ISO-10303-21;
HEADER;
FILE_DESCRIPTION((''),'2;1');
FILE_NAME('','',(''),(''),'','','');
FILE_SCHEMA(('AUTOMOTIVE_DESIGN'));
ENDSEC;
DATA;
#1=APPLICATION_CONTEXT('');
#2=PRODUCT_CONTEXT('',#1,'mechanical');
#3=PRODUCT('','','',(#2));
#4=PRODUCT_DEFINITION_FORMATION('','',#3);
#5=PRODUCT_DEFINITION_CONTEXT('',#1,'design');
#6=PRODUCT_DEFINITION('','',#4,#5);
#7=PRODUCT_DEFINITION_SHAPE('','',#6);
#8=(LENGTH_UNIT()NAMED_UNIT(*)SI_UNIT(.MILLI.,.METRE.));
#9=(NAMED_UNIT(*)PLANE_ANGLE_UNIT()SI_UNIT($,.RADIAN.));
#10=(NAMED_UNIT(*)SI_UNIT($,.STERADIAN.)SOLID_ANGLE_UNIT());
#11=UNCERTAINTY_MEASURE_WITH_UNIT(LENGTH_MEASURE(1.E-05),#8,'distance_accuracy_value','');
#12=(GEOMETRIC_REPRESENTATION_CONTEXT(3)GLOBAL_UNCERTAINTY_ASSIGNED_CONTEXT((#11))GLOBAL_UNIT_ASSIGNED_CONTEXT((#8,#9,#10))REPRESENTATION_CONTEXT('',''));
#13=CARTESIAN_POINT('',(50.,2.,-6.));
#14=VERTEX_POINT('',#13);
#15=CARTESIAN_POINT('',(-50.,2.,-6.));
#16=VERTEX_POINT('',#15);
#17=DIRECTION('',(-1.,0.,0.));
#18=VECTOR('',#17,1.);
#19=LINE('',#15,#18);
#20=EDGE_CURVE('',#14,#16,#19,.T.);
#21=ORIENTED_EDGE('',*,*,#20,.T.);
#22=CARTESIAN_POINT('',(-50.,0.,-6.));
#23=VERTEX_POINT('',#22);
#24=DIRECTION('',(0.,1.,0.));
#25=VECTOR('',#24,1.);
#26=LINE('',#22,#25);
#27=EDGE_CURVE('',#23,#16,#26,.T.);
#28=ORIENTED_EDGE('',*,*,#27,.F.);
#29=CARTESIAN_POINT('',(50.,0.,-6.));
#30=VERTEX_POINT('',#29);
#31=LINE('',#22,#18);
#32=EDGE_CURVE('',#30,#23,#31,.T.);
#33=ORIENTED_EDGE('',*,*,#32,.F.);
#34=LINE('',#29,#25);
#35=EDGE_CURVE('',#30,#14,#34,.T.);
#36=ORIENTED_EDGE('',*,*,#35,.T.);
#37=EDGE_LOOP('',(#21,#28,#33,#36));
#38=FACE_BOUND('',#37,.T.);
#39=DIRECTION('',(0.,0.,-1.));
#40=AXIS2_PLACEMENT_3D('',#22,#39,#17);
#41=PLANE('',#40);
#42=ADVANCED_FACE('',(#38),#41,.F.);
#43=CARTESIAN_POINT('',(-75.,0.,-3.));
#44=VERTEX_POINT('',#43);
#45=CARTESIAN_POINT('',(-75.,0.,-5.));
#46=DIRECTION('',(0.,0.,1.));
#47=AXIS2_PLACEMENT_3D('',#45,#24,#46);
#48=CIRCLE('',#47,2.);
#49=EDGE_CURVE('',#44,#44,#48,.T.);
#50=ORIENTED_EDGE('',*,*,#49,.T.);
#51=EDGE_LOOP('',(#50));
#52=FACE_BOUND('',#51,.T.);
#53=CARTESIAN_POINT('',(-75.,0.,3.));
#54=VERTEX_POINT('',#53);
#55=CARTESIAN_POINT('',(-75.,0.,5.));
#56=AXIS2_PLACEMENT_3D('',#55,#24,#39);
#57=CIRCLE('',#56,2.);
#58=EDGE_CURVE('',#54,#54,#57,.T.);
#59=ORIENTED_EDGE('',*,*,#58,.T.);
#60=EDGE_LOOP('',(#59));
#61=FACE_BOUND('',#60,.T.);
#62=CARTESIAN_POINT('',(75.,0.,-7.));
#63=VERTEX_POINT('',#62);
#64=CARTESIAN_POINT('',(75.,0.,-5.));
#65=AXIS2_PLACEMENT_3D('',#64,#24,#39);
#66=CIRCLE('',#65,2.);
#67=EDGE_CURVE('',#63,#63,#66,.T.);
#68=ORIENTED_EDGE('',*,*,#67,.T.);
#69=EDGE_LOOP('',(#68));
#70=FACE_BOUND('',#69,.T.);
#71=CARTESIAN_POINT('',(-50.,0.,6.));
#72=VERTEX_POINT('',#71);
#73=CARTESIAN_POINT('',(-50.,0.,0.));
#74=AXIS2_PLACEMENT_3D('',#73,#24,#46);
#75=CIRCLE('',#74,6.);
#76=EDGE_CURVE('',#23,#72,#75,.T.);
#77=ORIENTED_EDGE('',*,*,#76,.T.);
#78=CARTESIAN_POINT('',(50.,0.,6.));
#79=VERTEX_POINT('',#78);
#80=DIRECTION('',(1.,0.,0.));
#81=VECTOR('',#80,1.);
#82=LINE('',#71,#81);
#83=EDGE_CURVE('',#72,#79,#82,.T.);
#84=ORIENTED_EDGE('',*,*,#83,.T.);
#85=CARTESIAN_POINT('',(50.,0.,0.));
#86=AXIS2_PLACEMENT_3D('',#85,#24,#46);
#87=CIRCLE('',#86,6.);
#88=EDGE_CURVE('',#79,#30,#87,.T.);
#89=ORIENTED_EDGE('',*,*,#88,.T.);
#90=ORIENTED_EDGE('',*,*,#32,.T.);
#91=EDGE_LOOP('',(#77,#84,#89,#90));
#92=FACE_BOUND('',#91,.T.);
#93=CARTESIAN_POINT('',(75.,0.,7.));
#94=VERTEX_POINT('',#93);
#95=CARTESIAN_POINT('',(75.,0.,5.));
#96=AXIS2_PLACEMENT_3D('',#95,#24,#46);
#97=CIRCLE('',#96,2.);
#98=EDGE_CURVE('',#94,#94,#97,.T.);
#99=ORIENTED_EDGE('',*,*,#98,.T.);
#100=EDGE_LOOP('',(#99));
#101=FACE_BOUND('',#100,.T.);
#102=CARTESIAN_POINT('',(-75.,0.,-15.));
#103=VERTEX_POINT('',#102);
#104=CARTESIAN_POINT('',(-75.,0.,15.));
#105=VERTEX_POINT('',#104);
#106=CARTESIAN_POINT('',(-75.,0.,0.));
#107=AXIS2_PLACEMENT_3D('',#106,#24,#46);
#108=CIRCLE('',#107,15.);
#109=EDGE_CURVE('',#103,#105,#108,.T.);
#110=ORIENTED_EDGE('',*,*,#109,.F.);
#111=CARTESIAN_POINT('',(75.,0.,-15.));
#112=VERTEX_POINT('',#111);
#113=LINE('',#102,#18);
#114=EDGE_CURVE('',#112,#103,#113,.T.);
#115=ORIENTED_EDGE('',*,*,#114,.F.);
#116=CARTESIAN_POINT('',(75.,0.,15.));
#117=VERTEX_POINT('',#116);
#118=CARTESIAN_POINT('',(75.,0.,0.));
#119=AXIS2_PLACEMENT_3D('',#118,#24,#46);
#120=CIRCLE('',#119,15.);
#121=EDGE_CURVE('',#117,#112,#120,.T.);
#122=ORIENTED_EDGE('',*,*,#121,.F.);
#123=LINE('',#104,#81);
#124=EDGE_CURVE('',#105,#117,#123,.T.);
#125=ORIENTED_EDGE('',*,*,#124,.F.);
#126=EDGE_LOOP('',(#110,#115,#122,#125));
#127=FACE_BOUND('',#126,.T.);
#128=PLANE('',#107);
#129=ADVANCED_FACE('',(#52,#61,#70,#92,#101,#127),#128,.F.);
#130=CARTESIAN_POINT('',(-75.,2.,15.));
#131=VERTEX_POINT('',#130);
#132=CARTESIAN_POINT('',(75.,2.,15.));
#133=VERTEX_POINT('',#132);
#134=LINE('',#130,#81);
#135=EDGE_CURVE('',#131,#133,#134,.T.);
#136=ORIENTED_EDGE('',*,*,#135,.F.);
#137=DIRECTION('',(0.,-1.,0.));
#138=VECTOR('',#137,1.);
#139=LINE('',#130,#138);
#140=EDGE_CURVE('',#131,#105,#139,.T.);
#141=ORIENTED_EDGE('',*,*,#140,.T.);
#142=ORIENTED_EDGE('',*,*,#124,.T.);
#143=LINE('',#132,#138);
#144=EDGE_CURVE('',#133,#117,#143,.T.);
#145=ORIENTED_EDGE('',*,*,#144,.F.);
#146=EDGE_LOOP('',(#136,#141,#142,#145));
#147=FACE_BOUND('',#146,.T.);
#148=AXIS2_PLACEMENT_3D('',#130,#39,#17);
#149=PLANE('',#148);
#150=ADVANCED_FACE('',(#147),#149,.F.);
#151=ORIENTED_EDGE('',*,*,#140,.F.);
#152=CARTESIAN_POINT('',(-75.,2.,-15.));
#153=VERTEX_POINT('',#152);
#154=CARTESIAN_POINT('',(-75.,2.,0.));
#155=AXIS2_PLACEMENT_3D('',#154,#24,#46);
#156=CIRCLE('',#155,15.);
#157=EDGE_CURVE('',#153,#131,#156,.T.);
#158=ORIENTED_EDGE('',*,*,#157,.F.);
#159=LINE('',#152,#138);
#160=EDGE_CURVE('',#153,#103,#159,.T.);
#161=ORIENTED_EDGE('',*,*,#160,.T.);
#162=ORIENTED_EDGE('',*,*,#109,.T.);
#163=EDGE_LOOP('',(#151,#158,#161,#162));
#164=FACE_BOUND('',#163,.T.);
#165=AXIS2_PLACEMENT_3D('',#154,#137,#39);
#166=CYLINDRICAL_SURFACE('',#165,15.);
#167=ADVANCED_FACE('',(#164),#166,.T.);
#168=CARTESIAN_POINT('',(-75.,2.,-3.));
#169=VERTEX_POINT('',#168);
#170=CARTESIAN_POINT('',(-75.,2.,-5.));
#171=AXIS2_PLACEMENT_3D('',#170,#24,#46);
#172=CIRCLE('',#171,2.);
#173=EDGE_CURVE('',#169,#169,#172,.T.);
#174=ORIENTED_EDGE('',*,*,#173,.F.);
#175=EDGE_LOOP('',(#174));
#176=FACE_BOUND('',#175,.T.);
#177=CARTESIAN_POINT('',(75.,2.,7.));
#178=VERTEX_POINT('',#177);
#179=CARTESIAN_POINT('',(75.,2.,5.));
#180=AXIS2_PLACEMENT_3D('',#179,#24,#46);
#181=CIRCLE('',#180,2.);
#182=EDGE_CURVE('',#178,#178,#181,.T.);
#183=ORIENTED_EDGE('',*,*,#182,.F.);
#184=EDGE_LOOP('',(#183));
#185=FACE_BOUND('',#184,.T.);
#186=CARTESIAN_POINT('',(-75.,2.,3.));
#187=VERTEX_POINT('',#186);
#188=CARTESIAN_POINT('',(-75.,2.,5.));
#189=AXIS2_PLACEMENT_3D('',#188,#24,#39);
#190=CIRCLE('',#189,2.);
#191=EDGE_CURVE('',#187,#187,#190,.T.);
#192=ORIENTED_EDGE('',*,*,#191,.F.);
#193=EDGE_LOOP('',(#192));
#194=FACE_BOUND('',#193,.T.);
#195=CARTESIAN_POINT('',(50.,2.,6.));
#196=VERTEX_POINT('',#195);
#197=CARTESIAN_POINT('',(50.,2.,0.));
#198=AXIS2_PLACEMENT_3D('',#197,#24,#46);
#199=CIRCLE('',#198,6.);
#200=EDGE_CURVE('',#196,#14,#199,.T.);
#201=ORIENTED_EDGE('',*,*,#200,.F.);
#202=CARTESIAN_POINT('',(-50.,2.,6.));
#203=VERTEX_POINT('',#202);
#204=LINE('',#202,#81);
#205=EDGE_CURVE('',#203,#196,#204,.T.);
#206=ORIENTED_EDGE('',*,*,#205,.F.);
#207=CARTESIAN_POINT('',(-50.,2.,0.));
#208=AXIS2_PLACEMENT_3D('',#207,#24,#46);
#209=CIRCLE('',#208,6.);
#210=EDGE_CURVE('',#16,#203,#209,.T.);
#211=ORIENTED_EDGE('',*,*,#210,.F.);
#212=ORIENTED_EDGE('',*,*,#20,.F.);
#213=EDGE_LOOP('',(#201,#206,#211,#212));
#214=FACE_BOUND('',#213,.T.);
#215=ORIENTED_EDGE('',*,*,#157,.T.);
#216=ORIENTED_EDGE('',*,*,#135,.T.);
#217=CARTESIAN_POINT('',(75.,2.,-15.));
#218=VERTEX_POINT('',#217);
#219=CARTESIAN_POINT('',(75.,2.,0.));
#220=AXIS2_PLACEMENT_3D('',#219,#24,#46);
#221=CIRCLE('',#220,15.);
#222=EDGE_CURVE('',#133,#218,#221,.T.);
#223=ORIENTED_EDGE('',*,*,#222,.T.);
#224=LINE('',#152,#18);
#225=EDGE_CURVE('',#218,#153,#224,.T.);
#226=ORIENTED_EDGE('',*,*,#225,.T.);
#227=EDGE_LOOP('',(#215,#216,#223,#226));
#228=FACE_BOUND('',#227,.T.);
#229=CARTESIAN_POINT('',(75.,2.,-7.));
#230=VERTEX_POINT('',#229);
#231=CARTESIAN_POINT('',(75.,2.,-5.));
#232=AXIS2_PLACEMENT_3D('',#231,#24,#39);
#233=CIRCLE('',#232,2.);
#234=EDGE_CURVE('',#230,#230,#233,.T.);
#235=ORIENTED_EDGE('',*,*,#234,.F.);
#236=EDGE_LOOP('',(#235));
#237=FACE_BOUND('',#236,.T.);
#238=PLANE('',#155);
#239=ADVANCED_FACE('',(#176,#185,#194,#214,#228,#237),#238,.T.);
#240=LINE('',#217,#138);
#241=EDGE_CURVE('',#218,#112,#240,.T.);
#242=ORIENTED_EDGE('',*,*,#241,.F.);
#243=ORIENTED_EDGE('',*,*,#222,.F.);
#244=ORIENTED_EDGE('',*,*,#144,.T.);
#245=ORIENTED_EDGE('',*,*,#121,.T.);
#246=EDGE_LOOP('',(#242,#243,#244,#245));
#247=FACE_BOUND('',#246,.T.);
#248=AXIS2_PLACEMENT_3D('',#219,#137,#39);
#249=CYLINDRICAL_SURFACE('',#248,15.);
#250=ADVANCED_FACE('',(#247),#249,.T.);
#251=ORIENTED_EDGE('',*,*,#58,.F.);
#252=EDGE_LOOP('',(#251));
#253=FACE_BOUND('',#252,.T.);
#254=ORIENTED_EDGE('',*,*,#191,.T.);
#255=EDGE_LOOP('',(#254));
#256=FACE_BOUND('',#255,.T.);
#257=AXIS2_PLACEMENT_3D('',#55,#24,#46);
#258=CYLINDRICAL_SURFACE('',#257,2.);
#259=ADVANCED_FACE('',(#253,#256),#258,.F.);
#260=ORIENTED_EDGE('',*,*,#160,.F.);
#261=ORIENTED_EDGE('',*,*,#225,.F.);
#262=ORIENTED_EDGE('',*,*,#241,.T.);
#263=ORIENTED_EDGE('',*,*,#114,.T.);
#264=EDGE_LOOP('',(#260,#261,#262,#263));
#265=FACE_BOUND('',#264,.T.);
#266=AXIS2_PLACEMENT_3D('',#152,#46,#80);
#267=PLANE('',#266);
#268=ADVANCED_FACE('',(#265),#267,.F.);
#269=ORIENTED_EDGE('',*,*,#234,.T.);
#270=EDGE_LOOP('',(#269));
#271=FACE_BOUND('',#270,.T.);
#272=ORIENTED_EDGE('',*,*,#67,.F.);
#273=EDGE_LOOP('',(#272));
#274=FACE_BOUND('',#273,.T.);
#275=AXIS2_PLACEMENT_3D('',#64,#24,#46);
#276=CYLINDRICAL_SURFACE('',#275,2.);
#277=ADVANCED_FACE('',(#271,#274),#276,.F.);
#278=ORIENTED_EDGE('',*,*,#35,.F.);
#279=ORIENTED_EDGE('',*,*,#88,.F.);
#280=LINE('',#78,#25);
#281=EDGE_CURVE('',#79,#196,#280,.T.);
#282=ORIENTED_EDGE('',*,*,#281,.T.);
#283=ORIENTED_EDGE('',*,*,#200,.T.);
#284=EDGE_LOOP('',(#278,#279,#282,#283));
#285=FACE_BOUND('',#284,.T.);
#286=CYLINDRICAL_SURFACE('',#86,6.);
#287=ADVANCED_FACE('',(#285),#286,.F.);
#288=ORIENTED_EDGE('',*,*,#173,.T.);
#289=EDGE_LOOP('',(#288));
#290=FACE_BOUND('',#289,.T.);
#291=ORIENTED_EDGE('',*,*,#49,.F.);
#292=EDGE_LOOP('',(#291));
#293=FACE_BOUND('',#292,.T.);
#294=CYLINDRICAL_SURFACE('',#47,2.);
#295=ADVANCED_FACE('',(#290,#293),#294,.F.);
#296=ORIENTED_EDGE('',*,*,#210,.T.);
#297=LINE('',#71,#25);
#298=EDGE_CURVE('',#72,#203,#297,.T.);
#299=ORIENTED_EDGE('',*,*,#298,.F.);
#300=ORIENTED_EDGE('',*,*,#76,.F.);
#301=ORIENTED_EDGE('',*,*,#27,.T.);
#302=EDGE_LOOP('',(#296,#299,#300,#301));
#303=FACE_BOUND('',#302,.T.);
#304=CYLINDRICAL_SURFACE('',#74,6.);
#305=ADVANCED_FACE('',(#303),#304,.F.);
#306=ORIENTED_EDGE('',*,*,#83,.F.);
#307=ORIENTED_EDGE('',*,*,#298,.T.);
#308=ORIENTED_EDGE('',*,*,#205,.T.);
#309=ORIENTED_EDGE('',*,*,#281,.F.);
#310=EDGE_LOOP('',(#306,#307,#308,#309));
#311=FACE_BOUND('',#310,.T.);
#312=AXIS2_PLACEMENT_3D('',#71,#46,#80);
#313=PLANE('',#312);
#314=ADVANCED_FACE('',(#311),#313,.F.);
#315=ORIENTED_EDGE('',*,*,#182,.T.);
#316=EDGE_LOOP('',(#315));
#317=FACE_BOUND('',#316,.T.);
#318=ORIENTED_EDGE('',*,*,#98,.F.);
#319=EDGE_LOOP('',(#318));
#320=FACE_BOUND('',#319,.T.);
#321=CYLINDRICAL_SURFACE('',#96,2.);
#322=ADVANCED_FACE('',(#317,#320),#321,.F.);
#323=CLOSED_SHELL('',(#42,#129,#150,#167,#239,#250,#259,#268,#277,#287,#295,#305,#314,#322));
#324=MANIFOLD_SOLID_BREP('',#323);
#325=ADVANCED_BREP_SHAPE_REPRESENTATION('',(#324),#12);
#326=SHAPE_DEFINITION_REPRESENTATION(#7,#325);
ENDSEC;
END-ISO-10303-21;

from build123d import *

# Parameters (mm, degrees)
EXTRUDE_1_DEPTH     = 2
SKETCH_2_R          = 2
CUT_EXTRUDE_1_DEPTH = 2


with BuildPart() as part:
    # 草图1 → 凸台-拉伸1 (new body)
    with BuildSketch(Plane(origin=(0, 0, 0), x_dir=(1, 0, 0), z_dir=(0, 1, 0))):
        with BuildLine():
            Line((-75, 15), (75, 15))
            ThreePointArc((75, 15), (90, 0), (75, -15))
            Line((75, -15), (-75, -15))
            ThreePointArc((-75, -15), (-90, 0), (-75, 15))
        make_face()
    extrude(amount=EXTRUDE_1_DEPTH)

    # 草图2 → 切除-拉伸1 (cut)
    with BuildSketch(Plane(origin=(0, 2, 0), x_dir=(1, 0, 0), z_dir=(0, 1, 0))):
        with Locations(Location((-75, 5, 0), (0, 0, 270))):
            Circle(SKETCH_2_R)
        with Locations(Location((-75, -5, 0), (0, 0, 90))):
            Circle(SKETCH_2_R)
        with Locations(Location((75, -5, 0), (0, 0, 270))):
            Circle(SKETCH_2_R)
        with Locations(Location((75, 5, 0), (0, 0, 90))):
            Circle(SKETCH_2_R)
        with BuildLine():
            Line((-50, 6), (50, 6))
            ThreePointArc((50, 6), (56, 0), (50, -6))
            Line((50, -6), (-50, -6))
            ThreePointArc((-50, -6), (-56, 0), (-50, 6))
        make_face()
    extrude(amount=-CUT_EXTRUDE_1_DEPTH, mode=Mode.SUBTRACT)


solid = part.part
